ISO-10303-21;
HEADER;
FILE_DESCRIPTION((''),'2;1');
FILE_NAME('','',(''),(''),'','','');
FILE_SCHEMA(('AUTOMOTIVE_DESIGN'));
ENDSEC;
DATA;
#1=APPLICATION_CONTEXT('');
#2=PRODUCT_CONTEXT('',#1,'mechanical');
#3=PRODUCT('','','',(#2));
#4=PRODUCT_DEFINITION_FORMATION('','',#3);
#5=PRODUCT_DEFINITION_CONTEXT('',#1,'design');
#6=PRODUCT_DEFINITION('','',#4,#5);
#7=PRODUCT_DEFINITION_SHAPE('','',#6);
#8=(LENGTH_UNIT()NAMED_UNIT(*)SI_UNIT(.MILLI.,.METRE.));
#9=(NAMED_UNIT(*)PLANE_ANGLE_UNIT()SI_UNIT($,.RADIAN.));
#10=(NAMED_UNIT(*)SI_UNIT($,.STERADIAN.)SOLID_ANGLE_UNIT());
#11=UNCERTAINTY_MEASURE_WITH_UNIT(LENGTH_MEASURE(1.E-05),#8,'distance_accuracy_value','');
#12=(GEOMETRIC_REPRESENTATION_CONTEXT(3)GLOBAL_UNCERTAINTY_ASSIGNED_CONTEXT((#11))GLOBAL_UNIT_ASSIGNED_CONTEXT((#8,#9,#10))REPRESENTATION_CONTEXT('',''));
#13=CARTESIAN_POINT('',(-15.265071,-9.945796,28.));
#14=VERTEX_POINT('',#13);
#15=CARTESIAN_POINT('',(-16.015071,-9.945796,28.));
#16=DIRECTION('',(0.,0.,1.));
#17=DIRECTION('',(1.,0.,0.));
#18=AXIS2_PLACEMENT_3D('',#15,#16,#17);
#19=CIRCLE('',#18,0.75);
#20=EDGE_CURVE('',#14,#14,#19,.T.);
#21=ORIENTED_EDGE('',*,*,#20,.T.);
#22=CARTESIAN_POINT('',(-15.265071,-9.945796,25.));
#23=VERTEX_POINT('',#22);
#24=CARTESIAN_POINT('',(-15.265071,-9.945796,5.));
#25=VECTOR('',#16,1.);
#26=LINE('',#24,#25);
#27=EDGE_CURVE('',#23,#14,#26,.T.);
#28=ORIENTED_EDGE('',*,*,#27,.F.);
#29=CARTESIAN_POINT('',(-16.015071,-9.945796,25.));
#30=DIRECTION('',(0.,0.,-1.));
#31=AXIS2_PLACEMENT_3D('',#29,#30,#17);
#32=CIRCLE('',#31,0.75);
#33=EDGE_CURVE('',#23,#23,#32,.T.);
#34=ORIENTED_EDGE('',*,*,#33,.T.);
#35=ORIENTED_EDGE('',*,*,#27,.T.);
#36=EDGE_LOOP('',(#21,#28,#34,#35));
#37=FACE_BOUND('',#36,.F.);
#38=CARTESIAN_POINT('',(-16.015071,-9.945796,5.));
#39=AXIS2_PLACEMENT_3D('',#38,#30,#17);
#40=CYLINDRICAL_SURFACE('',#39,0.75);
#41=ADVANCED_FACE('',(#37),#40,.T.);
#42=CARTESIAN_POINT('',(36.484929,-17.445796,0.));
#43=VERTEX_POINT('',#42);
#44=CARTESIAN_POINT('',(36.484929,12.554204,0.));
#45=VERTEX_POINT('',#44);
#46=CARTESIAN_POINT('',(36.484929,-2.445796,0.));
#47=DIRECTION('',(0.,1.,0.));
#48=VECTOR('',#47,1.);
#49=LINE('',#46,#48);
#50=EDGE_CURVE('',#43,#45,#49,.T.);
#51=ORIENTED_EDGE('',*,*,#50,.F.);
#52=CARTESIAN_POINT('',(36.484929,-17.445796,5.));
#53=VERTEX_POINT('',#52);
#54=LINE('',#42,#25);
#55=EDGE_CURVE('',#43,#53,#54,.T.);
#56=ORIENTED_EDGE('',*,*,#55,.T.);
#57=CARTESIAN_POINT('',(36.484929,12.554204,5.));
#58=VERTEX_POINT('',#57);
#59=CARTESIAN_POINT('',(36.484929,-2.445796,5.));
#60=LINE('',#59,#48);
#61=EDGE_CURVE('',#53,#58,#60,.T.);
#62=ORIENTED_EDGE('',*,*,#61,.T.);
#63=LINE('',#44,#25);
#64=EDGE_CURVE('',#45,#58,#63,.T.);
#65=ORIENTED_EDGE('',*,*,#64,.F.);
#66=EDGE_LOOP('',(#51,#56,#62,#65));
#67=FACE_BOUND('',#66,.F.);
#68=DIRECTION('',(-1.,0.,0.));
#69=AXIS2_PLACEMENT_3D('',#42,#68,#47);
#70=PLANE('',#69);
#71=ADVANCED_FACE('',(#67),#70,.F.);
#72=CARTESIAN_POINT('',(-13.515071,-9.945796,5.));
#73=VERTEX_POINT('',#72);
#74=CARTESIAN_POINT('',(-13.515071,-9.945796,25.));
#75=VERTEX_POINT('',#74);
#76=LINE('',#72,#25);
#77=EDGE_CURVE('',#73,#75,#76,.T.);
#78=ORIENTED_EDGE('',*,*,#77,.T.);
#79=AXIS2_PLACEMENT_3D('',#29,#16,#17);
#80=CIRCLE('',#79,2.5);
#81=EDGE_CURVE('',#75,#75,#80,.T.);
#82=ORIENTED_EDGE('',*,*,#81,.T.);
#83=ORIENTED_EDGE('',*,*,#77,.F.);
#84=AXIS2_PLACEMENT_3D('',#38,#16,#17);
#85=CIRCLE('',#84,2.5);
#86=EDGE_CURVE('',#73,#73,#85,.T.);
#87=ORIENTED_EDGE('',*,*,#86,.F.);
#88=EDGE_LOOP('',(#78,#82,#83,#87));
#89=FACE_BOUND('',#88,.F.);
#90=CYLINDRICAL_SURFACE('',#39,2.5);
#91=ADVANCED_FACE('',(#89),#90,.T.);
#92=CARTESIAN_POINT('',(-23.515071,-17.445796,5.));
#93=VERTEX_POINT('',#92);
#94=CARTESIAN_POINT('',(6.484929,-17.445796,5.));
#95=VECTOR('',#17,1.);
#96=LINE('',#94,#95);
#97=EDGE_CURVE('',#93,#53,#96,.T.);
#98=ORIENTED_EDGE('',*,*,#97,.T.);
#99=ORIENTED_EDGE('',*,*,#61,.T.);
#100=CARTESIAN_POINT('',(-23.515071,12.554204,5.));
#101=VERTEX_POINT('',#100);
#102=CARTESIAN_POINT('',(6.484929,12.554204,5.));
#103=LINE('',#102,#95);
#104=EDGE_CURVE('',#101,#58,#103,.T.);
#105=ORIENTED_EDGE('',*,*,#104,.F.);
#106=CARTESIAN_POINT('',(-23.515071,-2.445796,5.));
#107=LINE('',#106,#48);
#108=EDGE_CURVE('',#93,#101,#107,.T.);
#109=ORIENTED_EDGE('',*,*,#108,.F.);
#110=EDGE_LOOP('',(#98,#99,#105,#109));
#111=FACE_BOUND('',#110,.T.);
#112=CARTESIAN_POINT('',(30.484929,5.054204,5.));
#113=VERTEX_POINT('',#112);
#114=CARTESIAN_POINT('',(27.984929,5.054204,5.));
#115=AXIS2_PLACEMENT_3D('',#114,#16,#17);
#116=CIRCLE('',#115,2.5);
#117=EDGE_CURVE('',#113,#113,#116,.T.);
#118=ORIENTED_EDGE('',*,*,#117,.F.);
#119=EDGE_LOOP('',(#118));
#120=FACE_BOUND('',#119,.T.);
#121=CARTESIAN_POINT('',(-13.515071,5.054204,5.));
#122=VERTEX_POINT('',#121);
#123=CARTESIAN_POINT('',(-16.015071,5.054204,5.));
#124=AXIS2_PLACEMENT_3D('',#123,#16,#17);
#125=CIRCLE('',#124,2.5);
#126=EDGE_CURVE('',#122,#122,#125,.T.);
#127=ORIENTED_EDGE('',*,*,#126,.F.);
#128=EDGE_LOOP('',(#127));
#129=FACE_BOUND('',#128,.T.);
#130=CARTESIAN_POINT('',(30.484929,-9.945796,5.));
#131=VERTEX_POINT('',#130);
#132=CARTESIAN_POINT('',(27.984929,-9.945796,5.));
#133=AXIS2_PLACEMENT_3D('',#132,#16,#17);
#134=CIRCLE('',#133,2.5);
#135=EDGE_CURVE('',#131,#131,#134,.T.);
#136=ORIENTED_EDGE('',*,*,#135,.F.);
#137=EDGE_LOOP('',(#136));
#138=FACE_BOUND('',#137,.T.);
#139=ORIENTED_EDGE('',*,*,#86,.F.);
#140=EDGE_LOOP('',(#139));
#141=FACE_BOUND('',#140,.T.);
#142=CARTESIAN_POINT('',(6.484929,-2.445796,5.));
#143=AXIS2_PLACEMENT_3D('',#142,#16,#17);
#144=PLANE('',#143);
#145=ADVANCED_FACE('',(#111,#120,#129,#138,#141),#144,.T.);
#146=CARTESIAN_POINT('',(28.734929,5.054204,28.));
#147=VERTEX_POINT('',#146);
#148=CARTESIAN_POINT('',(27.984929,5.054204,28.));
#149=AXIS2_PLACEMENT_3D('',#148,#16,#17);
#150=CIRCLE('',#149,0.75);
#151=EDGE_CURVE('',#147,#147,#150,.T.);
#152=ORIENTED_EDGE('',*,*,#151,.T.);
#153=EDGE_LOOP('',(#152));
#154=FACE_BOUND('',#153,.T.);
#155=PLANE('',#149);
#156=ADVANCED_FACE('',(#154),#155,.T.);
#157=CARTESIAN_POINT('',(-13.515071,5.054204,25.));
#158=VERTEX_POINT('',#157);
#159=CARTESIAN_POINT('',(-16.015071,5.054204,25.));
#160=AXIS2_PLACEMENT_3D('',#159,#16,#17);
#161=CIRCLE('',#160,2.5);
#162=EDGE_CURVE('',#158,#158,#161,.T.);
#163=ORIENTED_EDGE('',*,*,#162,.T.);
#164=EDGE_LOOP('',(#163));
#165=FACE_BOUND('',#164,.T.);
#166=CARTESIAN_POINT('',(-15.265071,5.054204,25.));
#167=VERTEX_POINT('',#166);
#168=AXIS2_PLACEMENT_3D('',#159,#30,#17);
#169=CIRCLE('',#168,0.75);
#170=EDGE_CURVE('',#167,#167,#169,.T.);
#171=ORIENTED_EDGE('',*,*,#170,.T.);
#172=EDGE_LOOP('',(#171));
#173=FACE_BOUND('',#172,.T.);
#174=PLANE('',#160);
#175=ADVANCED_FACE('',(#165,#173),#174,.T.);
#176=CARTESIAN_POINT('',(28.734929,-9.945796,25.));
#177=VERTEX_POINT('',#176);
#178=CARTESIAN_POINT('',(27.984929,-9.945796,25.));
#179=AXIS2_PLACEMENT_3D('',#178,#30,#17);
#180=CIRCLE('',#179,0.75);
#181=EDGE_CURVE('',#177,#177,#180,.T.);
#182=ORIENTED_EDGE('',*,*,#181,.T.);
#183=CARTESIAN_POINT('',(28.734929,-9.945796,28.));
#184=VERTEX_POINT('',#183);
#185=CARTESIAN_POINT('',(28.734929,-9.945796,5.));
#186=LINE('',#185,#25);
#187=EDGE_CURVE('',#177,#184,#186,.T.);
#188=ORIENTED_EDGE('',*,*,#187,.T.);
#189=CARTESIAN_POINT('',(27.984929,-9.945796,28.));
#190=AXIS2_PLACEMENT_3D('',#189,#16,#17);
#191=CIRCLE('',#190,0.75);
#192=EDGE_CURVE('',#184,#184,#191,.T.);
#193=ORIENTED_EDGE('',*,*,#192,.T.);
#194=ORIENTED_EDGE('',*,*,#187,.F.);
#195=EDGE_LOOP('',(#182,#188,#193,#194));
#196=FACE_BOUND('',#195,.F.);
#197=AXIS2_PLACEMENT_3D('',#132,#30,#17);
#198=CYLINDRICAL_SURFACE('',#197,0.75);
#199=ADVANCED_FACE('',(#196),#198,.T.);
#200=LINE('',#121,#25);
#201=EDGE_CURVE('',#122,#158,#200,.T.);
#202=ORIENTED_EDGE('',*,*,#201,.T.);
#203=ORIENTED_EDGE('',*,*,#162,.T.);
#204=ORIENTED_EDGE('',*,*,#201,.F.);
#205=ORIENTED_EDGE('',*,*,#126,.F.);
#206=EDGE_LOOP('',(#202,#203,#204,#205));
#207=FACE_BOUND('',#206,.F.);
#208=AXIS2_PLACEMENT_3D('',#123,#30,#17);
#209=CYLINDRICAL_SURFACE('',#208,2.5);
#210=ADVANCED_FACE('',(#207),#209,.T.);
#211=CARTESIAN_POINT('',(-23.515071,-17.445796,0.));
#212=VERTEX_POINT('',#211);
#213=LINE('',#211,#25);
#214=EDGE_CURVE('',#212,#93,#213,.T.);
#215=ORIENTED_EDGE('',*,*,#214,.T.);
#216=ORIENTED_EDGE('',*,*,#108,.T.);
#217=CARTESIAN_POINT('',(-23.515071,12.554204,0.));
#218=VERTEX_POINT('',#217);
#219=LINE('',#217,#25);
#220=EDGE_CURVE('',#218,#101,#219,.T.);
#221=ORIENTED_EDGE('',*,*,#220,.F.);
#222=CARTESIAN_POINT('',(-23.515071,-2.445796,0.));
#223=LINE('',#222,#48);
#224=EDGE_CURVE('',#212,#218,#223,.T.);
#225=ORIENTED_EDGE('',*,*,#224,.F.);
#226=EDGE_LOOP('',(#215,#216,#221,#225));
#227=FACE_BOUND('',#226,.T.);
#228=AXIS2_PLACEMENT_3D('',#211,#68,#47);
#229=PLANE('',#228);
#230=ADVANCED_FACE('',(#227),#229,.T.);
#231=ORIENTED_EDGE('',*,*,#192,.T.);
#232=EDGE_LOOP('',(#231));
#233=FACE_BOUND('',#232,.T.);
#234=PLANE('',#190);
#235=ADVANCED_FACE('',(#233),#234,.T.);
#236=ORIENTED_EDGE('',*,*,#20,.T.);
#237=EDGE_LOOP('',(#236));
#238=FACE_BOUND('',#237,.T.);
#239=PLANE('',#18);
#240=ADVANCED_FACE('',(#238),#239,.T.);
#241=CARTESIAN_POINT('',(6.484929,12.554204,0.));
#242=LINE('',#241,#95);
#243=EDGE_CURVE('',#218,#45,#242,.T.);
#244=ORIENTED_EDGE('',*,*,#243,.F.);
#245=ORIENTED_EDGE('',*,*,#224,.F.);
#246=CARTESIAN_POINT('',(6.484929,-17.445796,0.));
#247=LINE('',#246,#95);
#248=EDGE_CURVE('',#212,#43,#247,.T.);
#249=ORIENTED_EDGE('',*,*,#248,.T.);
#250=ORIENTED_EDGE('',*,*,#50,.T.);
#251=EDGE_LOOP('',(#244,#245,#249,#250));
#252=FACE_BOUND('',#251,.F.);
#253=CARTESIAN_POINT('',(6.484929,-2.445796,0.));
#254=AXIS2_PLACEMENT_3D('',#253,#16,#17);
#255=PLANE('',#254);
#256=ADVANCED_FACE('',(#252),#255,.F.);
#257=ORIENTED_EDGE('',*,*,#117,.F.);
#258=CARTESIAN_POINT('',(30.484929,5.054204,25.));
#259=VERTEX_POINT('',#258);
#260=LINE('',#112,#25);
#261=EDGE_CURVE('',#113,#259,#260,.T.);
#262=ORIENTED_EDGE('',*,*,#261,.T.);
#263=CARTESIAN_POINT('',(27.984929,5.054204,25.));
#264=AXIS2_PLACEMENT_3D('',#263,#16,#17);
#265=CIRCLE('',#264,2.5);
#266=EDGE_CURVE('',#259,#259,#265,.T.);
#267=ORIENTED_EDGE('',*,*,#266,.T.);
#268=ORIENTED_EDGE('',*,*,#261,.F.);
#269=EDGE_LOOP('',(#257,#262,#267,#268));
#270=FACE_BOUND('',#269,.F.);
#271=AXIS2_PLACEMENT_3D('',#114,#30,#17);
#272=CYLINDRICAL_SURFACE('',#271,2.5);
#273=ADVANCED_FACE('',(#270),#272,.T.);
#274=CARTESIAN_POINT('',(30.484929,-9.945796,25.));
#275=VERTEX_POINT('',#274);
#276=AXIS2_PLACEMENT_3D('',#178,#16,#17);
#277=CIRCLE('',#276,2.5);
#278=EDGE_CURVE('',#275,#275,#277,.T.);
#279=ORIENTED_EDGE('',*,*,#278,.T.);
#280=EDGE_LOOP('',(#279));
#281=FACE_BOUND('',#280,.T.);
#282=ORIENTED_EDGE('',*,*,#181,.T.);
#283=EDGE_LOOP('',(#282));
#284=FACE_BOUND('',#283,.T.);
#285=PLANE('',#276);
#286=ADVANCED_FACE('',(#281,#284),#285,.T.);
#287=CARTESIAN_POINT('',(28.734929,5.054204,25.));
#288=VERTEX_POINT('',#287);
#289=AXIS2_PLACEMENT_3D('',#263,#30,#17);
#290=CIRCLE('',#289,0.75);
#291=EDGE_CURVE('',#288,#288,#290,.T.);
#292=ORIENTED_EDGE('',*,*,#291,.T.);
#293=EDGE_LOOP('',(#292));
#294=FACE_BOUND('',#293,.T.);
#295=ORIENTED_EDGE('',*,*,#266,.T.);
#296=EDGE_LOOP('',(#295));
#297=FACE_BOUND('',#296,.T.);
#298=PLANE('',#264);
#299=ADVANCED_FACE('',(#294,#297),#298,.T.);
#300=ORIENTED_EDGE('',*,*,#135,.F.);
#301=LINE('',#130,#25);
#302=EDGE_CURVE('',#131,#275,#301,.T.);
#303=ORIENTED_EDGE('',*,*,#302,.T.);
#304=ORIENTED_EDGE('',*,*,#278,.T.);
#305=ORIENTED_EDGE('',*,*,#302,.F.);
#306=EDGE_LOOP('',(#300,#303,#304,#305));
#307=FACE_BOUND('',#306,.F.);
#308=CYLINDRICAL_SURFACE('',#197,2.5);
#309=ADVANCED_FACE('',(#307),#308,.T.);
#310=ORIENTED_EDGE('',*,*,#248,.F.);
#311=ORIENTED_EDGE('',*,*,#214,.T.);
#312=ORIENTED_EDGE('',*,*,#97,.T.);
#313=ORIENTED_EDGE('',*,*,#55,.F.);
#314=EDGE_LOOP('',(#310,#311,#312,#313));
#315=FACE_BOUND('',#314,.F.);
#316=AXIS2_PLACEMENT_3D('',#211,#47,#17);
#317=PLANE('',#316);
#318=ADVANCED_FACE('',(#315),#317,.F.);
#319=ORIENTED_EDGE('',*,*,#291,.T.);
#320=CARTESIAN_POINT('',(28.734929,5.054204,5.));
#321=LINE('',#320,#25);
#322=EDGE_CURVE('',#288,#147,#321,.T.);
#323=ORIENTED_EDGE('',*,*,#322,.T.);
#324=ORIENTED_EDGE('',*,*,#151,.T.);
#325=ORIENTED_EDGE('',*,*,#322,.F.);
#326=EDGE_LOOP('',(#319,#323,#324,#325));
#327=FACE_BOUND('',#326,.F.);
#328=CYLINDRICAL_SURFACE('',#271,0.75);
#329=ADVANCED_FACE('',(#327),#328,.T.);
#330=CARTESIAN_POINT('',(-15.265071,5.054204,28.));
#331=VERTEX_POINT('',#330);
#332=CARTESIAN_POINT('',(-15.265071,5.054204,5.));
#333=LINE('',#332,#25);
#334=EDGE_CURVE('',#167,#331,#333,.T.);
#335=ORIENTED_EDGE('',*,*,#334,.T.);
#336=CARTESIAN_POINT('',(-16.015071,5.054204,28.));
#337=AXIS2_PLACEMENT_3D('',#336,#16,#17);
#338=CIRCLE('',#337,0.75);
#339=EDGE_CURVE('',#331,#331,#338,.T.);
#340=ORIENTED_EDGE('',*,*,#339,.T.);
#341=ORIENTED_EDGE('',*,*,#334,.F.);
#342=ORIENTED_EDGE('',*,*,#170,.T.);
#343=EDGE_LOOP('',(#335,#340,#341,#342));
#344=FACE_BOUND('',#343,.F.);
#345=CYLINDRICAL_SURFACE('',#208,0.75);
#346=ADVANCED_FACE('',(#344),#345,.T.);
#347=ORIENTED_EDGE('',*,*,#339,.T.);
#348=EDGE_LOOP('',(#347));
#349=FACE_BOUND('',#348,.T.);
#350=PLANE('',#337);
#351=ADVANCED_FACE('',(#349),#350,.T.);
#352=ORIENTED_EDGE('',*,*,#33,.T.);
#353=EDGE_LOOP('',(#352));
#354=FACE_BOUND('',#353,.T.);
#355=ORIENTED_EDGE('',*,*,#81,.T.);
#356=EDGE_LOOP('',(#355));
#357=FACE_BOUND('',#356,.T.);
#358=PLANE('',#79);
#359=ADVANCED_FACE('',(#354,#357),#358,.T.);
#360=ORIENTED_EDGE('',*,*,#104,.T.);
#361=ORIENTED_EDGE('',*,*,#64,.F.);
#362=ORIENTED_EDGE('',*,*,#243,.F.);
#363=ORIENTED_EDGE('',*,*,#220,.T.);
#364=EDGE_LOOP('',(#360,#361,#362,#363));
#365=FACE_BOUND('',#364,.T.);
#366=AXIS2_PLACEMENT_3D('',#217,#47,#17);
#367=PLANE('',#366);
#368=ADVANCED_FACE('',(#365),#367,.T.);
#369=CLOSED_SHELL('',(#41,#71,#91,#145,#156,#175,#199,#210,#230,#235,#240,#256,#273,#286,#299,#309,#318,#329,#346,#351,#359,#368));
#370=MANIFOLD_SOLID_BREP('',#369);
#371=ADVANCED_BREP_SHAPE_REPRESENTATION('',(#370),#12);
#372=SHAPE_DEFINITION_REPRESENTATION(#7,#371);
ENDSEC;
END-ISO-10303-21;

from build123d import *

# Parameters (mm, degrees)
F0_W     = 60
F0_H     = 30
F1_DEPTH = 5
F2_R     = 2.5
F3_DEPTH = 20
F4_R     = 0.75
F5_DEPTH = 23


with BuildPart() as f1:
    # F0 (on Top) → F1 (new body)
    with BuildSketch(Plane.XY):
        with Locations((6.484929, -2.445796)):
            Rectangle(F0_W, F0_H)
    extrude(amount=F1_DEPTH)

    # F2 (on face) → F3 (join)
    with BuildSketch(Plane.XY.offset(5)):
        with Locations((-16.015071, 5.054204)):
            Circle(F2_R)
        with Locations((-16.015071, -9.945796)):
            Circle(F2_R)
        with Locations((27.984929, 5.054204)):
            Circle(F2_R)
        with Locations((27.984929, -9.945796)):
            Circle(F2_R)
    extrude(amount=F3_DEPTH)

    # F4 (on face) → F5 (join)
    with BuildSketch(Plane.XY.offset(5)):
        with Locations((-16.015071, 5.054204)):
            Circle(F4_R)
        with Locations((-16.015071, -9.945796)):
            Circle(F4_R)
        with Locations((27.984929, 5.054204)):
            Circle(F4_R)
        with Locations((27.984929, -9.945796)):
            Circle(F4_R)
    extrude(amount=F5_DEPTH)


solid = f1.part
